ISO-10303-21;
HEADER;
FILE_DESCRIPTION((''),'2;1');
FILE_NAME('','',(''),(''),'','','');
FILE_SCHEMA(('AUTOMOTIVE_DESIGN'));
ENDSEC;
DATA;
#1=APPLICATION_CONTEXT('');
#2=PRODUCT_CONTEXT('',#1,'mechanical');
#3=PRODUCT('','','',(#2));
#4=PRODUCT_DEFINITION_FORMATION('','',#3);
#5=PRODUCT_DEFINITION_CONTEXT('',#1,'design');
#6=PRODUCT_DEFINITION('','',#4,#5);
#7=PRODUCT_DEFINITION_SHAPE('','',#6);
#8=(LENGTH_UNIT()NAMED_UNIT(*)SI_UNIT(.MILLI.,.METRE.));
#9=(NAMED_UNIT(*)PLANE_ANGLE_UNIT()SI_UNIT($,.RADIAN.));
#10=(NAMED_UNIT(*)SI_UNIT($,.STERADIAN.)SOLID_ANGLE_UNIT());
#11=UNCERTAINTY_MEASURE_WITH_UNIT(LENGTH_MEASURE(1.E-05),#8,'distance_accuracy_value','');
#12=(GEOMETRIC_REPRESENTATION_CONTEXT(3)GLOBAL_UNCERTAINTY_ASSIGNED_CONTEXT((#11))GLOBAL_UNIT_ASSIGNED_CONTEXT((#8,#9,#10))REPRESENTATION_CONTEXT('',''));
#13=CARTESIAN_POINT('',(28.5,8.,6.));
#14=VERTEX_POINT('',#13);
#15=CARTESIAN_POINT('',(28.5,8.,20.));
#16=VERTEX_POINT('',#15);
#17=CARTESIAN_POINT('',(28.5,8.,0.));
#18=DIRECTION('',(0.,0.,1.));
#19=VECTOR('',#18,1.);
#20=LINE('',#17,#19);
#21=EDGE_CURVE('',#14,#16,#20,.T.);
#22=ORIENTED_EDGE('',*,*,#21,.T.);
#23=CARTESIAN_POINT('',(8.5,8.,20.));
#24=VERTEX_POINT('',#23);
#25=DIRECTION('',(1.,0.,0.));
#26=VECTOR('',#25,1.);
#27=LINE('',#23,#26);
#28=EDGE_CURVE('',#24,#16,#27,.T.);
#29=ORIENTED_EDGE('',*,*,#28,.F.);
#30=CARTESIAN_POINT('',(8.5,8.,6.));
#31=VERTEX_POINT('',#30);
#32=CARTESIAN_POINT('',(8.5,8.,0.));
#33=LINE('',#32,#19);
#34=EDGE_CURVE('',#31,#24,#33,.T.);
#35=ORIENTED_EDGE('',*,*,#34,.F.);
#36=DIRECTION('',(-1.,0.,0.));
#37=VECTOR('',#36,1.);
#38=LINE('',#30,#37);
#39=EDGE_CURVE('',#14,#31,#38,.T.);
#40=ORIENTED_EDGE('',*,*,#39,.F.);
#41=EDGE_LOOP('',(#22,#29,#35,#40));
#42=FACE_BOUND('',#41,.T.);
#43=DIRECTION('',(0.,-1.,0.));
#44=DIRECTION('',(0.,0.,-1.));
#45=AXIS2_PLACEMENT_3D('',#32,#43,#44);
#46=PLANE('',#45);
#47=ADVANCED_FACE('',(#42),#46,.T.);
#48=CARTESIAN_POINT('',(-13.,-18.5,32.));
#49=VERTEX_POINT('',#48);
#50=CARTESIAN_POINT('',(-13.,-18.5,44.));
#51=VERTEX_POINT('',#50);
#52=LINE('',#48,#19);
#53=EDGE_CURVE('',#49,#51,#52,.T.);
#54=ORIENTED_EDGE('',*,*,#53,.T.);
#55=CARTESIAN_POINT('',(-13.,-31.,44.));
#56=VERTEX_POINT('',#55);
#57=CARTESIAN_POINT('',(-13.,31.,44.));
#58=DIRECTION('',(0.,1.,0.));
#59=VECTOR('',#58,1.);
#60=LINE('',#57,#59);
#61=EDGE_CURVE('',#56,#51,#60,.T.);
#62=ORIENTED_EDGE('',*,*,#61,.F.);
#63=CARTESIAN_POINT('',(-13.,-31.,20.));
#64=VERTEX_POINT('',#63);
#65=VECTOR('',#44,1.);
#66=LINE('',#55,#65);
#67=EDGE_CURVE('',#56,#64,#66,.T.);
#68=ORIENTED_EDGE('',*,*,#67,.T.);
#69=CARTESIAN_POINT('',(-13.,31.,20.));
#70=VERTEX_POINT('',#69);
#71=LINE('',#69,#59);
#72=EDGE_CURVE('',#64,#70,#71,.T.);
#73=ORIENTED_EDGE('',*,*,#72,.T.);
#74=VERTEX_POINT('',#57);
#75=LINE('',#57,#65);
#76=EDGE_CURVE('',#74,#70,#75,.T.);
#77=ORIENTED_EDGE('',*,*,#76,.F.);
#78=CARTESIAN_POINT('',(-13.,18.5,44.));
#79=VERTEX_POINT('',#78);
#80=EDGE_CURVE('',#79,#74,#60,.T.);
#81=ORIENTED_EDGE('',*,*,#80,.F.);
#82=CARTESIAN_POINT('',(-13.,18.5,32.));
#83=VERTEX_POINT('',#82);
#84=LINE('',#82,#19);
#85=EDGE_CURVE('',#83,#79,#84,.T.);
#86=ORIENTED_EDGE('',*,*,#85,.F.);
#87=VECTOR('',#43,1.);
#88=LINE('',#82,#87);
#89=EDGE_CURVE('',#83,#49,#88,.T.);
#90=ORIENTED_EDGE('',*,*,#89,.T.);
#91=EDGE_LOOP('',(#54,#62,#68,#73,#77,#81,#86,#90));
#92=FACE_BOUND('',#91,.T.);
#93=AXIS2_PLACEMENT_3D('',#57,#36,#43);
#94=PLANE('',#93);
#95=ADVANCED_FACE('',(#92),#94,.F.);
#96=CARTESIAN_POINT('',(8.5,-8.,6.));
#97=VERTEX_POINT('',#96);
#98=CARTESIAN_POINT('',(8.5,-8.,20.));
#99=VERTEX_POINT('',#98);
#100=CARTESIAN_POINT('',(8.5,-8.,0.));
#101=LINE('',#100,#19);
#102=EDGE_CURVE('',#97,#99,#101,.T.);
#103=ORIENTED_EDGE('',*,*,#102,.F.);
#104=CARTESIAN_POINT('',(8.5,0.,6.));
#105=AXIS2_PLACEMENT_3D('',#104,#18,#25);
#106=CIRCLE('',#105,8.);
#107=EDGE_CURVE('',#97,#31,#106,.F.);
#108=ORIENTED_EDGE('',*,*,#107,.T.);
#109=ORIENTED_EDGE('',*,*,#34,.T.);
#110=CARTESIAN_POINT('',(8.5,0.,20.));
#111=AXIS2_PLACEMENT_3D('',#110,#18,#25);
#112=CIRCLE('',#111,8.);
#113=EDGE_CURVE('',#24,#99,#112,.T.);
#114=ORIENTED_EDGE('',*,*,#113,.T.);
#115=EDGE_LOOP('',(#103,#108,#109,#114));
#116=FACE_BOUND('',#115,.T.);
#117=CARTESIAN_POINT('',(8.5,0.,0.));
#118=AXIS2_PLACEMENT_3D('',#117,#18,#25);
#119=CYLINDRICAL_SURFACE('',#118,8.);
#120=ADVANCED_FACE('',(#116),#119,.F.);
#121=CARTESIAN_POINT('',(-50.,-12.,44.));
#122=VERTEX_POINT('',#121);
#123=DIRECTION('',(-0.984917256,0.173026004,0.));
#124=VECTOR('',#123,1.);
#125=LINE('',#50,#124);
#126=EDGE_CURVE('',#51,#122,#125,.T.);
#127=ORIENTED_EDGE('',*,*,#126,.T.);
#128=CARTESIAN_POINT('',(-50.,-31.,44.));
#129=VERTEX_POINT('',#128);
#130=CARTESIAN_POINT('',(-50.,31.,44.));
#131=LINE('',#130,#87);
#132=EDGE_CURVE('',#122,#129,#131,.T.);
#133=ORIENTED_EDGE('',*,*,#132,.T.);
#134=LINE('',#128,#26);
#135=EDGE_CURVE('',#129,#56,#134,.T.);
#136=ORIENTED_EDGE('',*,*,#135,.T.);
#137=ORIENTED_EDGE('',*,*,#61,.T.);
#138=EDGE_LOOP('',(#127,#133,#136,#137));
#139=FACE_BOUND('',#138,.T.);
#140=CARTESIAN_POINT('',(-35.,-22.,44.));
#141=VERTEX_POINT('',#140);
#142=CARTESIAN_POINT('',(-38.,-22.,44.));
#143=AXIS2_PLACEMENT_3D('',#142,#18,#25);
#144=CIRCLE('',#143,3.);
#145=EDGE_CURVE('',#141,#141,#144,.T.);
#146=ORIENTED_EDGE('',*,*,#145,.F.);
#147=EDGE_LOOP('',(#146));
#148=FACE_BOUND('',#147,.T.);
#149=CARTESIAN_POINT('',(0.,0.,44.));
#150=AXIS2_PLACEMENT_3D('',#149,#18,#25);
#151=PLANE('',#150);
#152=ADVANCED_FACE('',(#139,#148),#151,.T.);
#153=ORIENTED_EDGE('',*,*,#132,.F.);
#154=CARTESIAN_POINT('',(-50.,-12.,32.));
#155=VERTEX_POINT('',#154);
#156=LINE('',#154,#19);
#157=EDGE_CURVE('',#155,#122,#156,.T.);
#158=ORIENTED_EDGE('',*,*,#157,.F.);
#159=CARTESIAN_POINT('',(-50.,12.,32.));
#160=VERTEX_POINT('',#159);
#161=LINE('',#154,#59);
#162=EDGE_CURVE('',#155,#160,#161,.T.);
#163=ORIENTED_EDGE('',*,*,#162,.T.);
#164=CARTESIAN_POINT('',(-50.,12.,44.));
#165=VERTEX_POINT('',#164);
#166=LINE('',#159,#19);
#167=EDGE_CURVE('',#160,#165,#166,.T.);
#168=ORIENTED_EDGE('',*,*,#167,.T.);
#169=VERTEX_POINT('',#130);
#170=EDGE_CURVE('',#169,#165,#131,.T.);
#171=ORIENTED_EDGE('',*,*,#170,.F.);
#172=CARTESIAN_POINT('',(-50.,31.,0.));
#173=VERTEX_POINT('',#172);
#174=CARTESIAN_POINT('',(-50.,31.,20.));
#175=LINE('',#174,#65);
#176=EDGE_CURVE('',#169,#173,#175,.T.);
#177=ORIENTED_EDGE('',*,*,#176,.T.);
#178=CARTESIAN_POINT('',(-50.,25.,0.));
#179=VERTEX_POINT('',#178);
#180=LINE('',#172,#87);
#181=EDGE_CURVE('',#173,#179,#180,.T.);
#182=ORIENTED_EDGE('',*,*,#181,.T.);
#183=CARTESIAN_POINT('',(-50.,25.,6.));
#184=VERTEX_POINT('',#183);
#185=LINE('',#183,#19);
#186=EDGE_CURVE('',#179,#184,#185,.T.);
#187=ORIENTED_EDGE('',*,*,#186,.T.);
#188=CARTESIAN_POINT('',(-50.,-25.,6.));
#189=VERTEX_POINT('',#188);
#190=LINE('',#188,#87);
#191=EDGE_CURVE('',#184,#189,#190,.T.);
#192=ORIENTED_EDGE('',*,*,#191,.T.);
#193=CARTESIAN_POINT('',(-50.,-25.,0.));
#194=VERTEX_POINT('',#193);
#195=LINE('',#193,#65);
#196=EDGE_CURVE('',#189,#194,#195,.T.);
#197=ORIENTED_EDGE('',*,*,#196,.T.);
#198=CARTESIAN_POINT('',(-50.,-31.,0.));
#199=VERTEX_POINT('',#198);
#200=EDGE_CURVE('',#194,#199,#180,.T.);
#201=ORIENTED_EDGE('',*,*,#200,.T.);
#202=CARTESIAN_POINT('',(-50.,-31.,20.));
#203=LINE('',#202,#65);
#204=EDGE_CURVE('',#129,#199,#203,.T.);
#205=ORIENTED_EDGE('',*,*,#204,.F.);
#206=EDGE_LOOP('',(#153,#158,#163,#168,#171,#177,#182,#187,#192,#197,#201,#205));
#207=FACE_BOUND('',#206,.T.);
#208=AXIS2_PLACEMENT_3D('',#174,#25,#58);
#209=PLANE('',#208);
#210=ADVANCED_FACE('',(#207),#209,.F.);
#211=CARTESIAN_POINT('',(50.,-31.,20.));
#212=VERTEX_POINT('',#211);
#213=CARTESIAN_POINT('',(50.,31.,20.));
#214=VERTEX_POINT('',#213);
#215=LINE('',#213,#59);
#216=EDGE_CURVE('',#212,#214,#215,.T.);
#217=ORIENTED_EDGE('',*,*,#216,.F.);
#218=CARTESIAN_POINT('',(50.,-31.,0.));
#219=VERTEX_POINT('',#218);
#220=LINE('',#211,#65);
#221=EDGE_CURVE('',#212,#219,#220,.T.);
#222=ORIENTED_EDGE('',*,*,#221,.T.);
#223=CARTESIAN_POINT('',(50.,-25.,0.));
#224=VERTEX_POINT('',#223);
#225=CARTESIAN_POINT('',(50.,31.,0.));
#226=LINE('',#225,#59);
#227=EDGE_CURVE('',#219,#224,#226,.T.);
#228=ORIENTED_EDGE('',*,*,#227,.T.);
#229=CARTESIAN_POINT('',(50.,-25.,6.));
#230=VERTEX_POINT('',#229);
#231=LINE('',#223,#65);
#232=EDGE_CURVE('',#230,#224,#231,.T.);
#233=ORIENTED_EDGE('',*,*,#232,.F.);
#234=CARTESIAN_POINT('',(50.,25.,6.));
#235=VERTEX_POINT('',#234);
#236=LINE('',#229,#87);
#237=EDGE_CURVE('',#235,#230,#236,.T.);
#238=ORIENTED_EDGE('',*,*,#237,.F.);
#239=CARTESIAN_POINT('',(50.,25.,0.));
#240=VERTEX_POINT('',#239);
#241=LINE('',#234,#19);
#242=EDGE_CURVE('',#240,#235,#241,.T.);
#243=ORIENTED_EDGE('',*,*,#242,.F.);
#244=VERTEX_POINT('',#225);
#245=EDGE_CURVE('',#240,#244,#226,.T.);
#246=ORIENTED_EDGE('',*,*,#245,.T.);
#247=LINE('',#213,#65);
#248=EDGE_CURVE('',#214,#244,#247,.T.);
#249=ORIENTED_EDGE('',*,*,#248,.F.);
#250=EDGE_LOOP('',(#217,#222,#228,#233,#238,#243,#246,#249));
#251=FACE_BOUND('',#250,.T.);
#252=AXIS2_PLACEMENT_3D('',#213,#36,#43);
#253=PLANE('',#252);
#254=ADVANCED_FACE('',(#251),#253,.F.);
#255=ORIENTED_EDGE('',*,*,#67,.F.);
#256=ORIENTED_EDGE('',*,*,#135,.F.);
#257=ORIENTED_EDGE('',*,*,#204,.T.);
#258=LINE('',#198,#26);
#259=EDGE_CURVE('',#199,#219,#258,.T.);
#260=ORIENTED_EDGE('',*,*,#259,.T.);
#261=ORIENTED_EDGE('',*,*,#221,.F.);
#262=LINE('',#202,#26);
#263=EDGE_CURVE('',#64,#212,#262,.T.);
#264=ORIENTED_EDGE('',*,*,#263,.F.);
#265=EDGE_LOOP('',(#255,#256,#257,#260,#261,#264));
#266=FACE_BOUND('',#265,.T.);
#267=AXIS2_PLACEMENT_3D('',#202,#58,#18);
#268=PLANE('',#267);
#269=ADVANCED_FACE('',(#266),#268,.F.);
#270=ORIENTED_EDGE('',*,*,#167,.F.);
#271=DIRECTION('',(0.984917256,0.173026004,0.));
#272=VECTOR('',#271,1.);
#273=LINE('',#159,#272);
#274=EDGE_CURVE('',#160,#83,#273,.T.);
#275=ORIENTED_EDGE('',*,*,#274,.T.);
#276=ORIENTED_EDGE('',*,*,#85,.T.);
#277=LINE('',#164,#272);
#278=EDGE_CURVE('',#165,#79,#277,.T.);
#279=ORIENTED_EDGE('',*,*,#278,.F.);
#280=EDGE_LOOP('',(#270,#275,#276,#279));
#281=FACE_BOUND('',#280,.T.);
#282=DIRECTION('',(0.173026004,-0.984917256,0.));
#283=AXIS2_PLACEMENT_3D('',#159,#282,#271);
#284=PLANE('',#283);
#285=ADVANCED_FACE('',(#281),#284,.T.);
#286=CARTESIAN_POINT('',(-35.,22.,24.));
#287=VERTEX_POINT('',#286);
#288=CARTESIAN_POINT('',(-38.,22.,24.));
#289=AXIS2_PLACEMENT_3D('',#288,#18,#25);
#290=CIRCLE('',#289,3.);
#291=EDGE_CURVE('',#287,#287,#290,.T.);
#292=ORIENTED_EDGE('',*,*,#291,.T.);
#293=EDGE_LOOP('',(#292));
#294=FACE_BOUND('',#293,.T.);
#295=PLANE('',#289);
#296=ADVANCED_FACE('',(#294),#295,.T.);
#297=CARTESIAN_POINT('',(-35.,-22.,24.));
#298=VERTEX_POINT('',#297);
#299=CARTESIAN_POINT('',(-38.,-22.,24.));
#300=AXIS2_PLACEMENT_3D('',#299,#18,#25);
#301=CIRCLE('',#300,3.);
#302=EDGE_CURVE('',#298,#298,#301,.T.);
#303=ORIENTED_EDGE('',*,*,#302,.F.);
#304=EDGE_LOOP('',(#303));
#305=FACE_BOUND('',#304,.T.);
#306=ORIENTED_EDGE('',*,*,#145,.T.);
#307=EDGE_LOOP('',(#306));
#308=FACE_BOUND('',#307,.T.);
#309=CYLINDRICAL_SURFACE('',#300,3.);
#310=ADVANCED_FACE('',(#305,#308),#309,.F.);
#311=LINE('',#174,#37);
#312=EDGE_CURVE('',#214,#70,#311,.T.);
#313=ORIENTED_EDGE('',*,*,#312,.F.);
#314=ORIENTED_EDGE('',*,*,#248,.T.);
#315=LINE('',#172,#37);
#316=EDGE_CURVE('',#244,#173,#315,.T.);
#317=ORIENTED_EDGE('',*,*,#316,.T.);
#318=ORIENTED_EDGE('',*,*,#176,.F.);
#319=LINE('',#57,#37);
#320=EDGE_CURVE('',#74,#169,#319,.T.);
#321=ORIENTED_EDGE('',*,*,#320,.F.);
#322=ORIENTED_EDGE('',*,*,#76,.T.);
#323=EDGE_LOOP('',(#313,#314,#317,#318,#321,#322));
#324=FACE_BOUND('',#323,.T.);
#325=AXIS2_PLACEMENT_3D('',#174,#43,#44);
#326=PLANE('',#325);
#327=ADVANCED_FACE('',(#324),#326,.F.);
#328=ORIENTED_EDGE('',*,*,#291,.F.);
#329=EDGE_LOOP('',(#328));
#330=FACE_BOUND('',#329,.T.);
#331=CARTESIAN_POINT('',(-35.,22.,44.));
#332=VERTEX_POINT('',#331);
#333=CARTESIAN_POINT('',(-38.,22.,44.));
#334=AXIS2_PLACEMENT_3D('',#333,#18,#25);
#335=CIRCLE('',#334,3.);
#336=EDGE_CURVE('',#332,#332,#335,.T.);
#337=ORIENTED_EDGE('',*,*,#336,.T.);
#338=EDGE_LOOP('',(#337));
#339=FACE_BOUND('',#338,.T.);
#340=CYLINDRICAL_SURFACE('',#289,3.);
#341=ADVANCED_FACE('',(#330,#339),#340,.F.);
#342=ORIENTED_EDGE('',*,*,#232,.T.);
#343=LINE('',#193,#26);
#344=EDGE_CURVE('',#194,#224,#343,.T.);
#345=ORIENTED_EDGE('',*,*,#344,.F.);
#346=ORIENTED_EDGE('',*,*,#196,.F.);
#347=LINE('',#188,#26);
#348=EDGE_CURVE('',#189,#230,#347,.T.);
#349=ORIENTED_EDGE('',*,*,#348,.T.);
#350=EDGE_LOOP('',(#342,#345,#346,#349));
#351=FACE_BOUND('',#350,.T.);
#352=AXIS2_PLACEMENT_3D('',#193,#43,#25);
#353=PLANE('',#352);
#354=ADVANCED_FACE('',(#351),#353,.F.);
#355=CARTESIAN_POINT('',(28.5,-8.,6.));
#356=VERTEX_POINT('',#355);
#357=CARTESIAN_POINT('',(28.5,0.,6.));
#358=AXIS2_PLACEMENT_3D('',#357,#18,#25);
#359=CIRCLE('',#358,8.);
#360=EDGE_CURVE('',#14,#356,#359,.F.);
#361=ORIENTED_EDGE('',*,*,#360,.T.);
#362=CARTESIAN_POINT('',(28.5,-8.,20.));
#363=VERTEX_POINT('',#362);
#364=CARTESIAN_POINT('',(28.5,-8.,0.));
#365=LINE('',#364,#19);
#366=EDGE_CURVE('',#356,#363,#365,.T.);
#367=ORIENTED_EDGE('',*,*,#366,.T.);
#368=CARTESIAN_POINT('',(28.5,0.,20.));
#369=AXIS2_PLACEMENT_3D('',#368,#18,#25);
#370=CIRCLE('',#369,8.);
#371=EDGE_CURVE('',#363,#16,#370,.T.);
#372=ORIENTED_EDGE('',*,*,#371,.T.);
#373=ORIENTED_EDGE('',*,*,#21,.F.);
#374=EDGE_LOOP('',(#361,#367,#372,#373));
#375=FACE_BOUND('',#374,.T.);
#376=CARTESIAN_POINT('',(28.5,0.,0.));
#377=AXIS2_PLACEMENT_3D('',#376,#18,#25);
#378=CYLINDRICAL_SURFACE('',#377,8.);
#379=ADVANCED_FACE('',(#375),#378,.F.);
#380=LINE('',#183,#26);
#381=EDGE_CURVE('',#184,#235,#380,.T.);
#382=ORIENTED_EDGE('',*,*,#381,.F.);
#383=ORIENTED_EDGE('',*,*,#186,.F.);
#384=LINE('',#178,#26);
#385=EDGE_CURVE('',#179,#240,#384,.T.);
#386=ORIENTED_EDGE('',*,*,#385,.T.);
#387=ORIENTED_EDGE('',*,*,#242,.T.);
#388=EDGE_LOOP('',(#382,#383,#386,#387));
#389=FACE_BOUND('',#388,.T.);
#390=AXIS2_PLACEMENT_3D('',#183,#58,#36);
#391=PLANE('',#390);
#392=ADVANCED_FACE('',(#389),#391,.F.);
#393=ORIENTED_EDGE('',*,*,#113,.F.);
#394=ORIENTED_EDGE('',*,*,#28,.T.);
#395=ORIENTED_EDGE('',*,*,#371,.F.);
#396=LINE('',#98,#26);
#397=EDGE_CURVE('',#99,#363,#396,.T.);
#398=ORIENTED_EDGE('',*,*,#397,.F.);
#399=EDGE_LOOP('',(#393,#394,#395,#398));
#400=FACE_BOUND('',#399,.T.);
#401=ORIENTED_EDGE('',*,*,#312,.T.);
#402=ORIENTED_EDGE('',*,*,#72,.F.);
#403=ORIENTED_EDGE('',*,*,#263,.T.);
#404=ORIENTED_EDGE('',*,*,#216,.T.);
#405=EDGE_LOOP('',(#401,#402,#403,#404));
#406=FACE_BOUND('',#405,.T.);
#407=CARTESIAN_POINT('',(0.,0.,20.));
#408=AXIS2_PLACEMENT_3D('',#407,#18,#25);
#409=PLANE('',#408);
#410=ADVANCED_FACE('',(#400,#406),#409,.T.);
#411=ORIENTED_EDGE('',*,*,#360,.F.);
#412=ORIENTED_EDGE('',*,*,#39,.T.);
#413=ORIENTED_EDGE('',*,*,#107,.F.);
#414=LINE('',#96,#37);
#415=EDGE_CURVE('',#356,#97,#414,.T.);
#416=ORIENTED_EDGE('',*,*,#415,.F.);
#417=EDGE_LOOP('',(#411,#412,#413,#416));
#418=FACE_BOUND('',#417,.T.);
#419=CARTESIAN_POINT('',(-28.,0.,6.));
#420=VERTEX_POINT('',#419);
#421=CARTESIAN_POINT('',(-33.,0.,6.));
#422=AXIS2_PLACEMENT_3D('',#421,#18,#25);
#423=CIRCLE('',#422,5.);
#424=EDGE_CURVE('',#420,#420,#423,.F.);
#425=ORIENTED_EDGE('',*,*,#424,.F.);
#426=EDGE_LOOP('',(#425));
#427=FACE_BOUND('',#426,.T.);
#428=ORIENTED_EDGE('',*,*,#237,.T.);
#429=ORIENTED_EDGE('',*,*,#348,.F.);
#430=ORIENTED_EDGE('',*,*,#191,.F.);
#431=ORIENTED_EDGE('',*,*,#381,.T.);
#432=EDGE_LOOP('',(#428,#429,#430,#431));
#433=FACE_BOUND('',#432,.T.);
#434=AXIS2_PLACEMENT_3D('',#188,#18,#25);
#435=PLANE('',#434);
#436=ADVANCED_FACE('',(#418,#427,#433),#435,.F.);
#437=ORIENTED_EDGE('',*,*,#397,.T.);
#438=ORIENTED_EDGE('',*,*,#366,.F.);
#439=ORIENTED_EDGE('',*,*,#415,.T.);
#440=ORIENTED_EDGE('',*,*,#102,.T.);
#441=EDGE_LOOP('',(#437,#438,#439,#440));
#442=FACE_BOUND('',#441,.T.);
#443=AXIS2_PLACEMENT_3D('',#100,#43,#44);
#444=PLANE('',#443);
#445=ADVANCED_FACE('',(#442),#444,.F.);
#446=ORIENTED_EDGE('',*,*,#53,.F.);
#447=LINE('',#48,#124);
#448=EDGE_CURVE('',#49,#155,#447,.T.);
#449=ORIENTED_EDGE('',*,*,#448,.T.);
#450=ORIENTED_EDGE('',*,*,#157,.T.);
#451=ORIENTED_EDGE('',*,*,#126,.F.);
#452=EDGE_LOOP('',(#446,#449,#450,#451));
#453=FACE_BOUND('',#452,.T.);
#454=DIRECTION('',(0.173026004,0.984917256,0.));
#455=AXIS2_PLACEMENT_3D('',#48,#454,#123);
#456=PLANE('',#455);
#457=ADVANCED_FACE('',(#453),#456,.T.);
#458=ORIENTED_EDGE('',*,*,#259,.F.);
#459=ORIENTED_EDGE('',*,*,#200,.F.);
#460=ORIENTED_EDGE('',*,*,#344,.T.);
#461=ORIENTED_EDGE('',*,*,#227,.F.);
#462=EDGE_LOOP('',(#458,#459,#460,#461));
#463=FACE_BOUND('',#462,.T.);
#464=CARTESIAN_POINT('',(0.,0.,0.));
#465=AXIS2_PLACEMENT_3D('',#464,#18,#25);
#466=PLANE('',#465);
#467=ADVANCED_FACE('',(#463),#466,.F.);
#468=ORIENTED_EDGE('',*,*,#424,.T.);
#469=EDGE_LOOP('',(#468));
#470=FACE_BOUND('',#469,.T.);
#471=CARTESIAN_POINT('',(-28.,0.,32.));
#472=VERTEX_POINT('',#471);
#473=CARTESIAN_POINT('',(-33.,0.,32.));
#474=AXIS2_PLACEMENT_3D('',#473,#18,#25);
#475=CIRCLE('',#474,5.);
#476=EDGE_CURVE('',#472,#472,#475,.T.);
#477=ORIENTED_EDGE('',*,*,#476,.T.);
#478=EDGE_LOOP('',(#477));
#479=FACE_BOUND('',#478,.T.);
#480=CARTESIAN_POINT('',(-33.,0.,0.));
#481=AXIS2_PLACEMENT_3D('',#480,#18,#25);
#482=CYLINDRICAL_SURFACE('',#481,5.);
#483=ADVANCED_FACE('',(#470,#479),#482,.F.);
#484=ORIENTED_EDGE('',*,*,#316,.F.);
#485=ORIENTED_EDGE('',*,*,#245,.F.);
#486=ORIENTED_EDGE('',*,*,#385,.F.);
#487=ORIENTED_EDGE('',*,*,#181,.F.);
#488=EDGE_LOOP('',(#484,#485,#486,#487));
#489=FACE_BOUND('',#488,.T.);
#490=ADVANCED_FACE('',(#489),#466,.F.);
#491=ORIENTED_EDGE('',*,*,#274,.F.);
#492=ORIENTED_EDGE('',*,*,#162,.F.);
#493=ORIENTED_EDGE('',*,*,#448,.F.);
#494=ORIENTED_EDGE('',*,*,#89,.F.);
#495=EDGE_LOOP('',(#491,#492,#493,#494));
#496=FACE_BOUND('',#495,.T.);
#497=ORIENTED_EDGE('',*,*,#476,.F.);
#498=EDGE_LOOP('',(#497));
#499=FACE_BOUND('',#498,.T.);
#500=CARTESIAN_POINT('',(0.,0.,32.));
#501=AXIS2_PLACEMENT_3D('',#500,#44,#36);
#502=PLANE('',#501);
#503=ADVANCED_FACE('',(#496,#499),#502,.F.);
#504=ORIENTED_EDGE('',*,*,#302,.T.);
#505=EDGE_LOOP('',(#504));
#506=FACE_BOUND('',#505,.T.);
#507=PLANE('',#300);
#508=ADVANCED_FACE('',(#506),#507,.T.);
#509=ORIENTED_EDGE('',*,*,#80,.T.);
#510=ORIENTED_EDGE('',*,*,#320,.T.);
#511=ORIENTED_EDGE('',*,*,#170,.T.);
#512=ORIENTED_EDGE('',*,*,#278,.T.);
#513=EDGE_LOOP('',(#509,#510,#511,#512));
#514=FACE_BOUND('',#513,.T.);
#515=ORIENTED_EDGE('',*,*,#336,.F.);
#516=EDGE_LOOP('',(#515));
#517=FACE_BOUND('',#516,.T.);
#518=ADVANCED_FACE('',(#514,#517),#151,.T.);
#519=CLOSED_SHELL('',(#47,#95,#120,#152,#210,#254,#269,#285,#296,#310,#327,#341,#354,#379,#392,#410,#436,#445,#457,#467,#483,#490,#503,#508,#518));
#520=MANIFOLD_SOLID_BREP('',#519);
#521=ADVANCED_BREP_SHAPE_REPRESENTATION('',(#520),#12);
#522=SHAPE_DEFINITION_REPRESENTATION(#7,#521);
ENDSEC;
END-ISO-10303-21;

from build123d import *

# Parameters (mm, degrees)
SKETCH1_W           = 100
SKETCH1_H           = 62
BOSS_EXTRUDE1_DEPTH = 20
SKETCH2_W           = 37
SKETCH2_H           = 62
BOSS_EXTRUDE2_DEPTH = 24
CUT_EXTRUDE2_DEPTH  = 12
SKETCH4_R           = 5
CUT_EXTRUDE3_DEPTH  = 33
SKETCH5_R           = 3
CUT_EXTRUDE4_DEPTH  = 20
SKETCH12_R          = 3
CUT_EXTRUDE12_DEPTH = 20
CUT_EXTRUDE13_DEPTH = 21
SKETCH14_W          = 6
SKETCH14_H          = 50
CUT_EXTRUDE14_DEPTH = 101


with BuildPart() as part:
    # Sketch1 → Boss-Extrude1 (new body)
    with BuildSketch(Plane.XY):
        Rectangle(SKETCH1_W, SKETCH1_H)
    extrude(amount=BOSS_EXTRUDE1_DEPTH)

    # Sketch2 → Boss-Extrude2 (add)
    with BuildSketch(Plane.XY.offset(20)):
        with Locations((-31.5, 0)):
            Rectangle(SKETCH2_W, SKETCH2_H)
    extrude(amount=BOSS_EXTRUDE2_DEPTH)

    # Sketch3 → Cut-Extrude2 (cut)
    with BuildSketch(Plane.XY.offset(44)):
        Polygon((-50, 12), (-13, 18.5), (-13, -18.5), (-50, -12), align=None)
    extrude(amount=-CUT_EXTRUDE2_DEPTH, mode=Mode.SUBTRACT)

    # Sketch4 → Cut-Extrude3 (cut, through all)
    with BuildSketch(Plane.XY.offset(32)):
        with Locations((-33, 0)):
            Circle(SKETCH4_R)
    extrude(amount=-CUT_EXTRUDE3_DEPTH, mode=Mode.SUBTRACT)

    # Sketch5 → Cut-Extrude4 (cut)
    with BuildSketch(Plane.XY.offset(44)):
        with Locations((-38, 22)):
            Circle(SKETCH5_R)
    extrude(amount=-CUT_EXTRUDE4_DEPTH, mode=Mode.SUBTRACT)

    # Sketch12 → Cut-Extrude12 (cut)
    with BuildSketch(Plane.XY.offset(44)):
        with Locations((-38, -22)):
            Circle(SKETCH12_R)
    extrude(amount=-CUT_EXTRUDE12_DEPTH, mode=Mode.SUBTRACT)

    # Sketch13 → Cut-Extrude13 (cut, through all)
    with BuildSketch(Plane.XY.offset(20)):
        with BuildLine():
            Line((8.5, 8), (28.5, 8))
            ThreePointArc((28.5, 8), (36.5, 0), (28.5, -8))
            Line((28.5, -8), (8.5, -8))
            ThreePointArc((8.5, -8), (0.5, 0), (8.5, 8))
        make_face()
    extrude(amount=-CUT_EXTRUDE13_DEPTH, mode=Mode.SUBTRACT)

    # Sketch14 → Cut-Extrude14 (cut, through all)
    with BuildSketch(Plane(origin=(50, 0, 0), x_dir=(0, 0, -1), z_dir=(1, 0, 0))):
        with Locations((-3, 0)):
            Rectangle(SKETCH14_W, SKETCH14_H)
    extrude(amount=-CUT_EXTRUDE14_DEPTH, mode=Mode.SUBTRACT)


solid = part.part
